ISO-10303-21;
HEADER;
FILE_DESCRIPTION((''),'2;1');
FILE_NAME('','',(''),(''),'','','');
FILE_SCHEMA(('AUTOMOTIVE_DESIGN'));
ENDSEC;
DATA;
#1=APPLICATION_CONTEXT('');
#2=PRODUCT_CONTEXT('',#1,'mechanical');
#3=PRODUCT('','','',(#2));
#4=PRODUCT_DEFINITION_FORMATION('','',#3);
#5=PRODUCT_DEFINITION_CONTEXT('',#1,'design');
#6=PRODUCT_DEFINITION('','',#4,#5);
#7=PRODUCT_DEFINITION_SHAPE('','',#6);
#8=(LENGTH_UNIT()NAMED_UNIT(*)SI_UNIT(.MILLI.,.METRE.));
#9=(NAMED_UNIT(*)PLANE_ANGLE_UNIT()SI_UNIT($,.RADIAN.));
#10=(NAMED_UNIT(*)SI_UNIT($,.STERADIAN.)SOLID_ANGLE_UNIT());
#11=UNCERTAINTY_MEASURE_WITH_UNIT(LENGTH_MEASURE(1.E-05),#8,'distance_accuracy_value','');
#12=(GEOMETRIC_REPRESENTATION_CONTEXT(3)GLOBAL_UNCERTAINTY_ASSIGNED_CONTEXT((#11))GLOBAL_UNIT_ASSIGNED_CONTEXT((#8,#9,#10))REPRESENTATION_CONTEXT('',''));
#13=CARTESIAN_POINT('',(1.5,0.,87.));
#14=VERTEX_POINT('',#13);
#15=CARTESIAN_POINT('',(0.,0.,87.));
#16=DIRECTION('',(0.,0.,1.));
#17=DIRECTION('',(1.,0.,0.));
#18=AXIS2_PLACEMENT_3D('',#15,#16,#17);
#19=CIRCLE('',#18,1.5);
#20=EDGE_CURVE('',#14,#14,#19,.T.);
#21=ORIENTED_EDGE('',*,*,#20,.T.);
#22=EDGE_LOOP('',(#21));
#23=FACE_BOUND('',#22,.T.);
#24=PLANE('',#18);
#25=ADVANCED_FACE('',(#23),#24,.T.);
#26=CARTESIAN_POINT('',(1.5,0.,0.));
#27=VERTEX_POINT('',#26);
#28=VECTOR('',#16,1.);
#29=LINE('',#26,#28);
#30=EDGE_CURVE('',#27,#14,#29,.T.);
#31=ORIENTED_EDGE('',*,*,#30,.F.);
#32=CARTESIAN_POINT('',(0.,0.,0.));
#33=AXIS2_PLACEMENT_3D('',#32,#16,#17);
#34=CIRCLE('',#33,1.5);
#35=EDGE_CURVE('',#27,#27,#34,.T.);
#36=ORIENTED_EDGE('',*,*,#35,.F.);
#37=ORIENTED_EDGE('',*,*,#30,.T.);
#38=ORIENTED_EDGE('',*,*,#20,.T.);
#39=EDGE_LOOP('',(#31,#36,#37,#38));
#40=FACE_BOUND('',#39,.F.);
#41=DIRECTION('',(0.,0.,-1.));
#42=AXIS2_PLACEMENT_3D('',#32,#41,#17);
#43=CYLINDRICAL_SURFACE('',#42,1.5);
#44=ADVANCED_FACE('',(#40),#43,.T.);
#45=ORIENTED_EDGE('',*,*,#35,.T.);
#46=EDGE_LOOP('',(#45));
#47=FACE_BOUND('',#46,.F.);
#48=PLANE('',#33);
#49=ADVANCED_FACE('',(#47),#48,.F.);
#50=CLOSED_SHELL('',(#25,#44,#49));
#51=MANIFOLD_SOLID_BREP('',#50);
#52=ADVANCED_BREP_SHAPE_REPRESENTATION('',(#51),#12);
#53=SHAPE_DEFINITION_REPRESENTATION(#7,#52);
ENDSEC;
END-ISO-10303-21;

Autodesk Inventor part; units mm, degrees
ref_plane "YZ Plane" through (0, 0, 0) normal (1, 0, 0) x (0, 1, 0)
ref_plane "XZ Plane" through (0, 0, 0) normal (0, 1, 0) x (-1, 0, 0)
ref_plane "XY Plane" through (0, 0, 0) normal (0, 0, 1) x (1, 0, 0)
sketch "Sketch1" plane through (0, 0, 0) normal (0, 0, 1) x (1, 0, 0)
  circle A0 centre (0, 0) radius 1.5
  dimension "d0" = 3
extrude "Extrusion1" add sketch "Sketch1" along normal blind 87
thread "Thread1" size "M3x0.5" class "6g" standard "ISO Metric profile" full length
properties part number "M4 Leg Throd"
